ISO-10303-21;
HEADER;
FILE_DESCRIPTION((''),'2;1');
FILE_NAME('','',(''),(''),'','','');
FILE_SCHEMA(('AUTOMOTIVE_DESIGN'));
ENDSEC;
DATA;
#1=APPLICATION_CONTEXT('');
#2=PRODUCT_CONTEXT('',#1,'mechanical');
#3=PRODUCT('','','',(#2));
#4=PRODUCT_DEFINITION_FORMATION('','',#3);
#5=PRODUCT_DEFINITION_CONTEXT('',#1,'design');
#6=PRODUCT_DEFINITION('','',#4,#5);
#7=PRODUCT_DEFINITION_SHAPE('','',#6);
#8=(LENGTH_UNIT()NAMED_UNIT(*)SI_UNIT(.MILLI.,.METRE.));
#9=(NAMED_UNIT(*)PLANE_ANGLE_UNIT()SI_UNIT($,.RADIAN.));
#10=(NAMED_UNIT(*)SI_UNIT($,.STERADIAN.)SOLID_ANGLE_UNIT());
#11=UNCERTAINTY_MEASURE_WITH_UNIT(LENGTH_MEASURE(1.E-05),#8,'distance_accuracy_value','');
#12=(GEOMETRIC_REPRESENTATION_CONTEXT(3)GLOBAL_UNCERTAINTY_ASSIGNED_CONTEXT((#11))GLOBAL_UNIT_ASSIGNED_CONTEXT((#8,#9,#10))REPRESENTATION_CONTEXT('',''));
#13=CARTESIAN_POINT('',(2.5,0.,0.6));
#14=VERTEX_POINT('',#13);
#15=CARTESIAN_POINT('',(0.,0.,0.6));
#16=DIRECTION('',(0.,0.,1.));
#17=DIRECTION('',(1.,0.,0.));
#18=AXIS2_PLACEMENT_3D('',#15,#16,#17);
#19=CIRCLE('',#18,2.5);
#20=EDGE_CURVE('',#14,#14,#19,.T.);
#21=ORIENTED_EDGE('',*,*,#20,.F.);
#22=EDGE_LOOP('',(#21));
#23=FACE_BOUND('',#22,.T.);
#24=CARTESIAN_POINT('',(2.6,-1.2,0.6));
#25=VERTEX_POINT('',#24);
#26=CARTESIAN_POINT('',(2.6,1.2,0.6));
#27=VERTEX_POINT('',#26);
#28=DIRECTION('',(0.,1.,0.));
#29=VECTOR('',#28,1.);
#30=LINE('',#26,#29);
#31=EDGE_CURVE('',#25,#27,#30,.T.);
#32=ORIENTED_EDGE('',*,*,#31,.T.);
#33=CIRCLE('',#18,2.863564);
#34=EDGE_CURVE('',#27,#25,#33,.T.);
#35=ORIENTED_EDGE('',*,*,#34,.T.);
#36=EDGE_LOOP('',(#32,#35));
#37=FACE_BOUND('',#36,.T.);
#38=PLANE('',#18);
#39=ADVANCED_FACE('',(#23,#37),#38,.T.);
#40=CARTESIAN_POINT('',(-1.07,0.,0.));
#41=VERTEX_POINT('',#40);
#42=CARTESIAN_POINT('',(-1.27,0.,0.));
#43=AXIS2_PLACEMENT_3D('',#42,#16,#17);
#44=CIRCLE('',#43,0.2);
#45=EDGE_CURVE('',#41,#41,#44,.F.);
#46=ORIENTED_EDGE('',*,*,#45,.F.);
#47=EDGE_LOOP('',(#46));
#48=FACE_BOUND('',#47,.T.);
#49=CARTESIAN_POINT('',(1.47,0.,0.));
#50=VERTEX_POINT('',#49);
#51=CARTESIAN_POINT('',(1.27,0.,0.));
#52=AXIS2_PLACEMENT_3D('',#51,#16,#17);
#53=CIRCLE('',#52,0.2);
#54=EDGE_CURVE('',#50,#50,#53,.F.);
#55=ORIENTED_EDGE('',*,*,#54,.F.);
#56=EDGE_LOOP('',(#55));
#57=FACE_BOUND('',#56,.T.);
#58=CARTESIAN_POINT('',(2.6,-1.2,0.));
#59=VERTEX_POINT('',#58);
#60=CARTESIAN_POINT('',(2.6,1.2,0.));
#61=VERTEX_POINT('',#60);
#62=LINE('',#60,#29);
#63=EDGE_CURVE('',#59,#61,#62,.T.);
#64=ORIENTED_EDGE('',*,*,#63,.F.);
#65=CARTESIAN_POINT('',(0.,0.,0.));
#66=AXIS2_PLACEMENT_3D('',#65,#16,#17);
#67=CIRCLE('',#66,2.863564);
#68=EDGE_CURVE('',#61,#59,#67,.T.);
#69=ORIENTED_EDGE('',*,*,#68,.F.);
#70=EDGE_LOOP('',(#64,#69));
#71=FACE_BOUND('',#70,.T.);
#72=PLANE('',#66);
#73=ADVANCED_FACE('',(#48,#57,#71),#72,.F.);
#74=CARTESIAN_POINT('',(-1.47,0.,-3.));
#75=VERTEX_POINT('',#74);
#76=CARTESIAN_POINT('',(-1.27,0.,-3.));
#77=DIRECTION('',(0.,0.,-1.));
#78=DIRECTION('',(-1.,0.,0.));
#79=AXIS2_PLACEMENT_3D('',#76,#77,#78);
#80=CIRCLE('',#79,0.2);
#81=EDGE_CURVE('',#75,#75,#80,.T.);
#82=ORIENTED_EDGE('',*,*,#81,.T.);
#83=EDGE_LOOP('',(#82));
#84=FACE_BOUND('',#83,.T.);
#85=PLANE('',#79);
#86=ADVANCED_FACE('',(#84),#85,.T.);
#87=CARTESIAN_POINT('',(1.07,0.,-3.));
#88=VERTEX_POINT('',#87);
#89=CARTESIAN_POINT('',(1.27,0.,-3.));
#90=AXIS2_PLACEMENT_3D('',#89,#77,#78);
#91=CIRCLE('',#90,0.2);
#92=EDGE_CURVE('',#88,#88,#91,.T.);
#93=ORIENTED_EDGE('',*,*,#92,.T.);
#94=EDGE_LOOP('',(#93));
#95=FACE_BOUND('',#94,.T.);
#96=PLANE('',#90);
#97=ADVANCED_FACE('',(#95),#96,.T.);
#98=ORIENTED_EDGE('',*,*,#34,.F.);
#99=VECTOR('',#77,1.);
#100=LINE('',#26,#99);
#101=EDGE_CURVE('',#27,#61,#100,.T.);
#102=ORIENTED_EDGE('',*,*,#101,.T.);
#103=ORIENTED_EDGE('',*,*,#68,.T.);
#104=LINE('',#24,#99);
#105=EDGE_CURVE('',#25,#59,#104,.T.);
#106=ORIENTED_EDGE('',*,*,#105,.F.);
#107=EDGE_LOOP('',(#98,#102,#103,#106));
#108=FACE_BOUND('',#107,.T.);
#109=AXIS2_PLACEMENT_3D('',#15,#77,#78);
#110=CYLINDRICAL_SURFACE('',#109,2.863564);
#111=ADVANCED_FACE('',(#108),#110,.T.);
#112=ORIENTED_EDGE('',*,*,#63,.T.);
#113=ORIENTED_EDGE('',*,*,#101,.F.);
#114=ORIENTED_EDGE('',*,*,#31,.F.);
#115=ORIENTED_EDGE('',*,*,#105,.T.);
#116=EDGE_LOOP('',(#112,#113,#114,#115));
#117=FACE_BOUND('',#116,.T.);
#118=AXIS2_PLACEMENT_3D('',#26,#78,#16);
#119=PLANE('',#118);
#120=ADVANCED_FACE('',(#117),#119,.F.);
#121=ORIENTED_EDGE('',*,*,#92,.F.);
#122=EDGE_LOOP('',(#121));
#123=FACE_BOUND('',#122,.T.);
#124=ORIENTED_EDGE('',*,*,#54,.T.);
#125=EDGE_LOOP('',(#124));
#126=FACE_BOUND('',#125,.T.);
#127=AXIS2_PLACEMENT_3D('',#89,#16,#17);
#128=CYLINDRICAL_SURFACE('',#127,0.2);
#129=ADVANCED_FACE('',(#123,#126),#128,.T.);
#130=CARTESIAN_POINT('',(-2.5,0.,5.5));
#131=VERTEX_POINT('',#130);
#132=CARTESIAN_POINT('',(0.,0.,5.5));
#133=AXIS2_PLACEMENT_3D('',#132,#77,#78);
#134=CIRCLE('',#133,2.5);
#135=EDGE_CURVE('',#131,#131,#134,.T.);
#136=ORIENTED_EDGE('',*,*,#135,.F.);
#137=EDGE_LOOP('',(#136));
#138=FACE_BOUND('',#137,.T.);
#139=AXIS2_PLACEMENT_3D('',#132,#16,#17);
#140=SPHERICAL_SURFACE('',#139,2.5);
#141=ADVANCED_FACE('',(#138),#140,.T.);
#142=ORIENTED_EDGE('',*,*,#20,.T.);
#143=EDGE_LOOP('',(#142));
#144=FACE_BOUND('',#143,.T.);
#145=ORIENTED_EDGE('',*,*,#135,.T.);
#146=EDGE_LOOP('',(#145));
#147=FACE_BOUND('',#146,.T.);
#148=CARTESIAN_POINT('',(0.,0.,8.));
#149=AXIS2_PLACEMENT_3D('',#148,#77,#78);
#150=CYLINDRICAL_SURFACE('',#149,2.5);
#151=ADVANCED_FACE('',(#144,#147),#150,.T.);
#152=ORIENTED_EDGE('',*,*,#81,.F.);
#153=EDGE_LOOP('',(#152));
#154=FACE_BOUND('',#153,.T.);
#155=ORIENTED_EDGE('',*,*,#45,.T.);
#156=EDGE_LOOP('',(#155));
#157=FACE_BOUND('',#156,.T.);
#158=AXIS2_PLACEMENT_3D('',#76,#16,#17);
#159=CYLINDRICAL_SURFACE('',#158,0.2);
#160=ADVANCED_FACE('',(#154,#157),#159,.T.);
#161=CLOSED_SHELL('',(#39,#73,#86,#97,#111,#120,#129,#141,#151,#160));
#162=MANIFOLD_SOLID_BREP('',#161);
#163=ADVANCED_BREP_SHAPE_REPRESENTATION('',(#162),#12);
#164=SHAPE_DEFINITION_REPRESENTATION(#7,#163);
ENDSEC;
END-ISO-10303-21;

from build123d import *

# Parameters (mm, degrees)
EXTRUDE_1_DEPTH = 0.6
SKETCH_2_R      = 2.5
EXTRUDE_2_DEPTH = 7.4
FILLET_1_R      = 2.5
SKETCH_3_R      = 0.2
EXTRUDE_3_DEPTH = 3


with BuildPart() as part:
    # 草图1 → 凸台-拉伸1 (new body)
    with BuildSketch(Plane.XY):
        with BuildLine():
            Line((2.6, 1.2), (2.6, -1.2))
            ThreePointArc((2.6, -1.2), (-2.863564213, 0), (2.6, 1.2))
        make_face()
    extrude(amount=EXTRUDE_1_DEPTH)

    # 草图2 → 凸台-拉伸2 (add)
    with BuildSketch(Plane.XY.offset(0.6)):
        Circle(SKETCH_2_R)
    extrude(amount=EXTRUDE_2_DEPTH)

    # 圆角1
    fillet_1_edges = [part.edges().sort_by_distance(p)[0] for p in [
        (-2.5, 0, 8),
    ]]
    fillet(fillet_1_edges, radius=FILLET_1_R)

    # 草图3 → 凸台-拉伸3 (add)
    with BuildSketch(Plane(origin=(0, 0, 0), x_dir=(-1, 0, 0), z_dir=(0, 0, -1))):
        with Locations(Location((1.27, 0, 0), (0, 0, 180))):
            Circle(SKETCH_3_R)
        with Locations(Location((-1.27, 0, 0), (0, 0, 180))):
            Circle(SKETCH_3_R)
    extrude(amount=EXTRUDE_3_DEPTH)


solid = part.part
